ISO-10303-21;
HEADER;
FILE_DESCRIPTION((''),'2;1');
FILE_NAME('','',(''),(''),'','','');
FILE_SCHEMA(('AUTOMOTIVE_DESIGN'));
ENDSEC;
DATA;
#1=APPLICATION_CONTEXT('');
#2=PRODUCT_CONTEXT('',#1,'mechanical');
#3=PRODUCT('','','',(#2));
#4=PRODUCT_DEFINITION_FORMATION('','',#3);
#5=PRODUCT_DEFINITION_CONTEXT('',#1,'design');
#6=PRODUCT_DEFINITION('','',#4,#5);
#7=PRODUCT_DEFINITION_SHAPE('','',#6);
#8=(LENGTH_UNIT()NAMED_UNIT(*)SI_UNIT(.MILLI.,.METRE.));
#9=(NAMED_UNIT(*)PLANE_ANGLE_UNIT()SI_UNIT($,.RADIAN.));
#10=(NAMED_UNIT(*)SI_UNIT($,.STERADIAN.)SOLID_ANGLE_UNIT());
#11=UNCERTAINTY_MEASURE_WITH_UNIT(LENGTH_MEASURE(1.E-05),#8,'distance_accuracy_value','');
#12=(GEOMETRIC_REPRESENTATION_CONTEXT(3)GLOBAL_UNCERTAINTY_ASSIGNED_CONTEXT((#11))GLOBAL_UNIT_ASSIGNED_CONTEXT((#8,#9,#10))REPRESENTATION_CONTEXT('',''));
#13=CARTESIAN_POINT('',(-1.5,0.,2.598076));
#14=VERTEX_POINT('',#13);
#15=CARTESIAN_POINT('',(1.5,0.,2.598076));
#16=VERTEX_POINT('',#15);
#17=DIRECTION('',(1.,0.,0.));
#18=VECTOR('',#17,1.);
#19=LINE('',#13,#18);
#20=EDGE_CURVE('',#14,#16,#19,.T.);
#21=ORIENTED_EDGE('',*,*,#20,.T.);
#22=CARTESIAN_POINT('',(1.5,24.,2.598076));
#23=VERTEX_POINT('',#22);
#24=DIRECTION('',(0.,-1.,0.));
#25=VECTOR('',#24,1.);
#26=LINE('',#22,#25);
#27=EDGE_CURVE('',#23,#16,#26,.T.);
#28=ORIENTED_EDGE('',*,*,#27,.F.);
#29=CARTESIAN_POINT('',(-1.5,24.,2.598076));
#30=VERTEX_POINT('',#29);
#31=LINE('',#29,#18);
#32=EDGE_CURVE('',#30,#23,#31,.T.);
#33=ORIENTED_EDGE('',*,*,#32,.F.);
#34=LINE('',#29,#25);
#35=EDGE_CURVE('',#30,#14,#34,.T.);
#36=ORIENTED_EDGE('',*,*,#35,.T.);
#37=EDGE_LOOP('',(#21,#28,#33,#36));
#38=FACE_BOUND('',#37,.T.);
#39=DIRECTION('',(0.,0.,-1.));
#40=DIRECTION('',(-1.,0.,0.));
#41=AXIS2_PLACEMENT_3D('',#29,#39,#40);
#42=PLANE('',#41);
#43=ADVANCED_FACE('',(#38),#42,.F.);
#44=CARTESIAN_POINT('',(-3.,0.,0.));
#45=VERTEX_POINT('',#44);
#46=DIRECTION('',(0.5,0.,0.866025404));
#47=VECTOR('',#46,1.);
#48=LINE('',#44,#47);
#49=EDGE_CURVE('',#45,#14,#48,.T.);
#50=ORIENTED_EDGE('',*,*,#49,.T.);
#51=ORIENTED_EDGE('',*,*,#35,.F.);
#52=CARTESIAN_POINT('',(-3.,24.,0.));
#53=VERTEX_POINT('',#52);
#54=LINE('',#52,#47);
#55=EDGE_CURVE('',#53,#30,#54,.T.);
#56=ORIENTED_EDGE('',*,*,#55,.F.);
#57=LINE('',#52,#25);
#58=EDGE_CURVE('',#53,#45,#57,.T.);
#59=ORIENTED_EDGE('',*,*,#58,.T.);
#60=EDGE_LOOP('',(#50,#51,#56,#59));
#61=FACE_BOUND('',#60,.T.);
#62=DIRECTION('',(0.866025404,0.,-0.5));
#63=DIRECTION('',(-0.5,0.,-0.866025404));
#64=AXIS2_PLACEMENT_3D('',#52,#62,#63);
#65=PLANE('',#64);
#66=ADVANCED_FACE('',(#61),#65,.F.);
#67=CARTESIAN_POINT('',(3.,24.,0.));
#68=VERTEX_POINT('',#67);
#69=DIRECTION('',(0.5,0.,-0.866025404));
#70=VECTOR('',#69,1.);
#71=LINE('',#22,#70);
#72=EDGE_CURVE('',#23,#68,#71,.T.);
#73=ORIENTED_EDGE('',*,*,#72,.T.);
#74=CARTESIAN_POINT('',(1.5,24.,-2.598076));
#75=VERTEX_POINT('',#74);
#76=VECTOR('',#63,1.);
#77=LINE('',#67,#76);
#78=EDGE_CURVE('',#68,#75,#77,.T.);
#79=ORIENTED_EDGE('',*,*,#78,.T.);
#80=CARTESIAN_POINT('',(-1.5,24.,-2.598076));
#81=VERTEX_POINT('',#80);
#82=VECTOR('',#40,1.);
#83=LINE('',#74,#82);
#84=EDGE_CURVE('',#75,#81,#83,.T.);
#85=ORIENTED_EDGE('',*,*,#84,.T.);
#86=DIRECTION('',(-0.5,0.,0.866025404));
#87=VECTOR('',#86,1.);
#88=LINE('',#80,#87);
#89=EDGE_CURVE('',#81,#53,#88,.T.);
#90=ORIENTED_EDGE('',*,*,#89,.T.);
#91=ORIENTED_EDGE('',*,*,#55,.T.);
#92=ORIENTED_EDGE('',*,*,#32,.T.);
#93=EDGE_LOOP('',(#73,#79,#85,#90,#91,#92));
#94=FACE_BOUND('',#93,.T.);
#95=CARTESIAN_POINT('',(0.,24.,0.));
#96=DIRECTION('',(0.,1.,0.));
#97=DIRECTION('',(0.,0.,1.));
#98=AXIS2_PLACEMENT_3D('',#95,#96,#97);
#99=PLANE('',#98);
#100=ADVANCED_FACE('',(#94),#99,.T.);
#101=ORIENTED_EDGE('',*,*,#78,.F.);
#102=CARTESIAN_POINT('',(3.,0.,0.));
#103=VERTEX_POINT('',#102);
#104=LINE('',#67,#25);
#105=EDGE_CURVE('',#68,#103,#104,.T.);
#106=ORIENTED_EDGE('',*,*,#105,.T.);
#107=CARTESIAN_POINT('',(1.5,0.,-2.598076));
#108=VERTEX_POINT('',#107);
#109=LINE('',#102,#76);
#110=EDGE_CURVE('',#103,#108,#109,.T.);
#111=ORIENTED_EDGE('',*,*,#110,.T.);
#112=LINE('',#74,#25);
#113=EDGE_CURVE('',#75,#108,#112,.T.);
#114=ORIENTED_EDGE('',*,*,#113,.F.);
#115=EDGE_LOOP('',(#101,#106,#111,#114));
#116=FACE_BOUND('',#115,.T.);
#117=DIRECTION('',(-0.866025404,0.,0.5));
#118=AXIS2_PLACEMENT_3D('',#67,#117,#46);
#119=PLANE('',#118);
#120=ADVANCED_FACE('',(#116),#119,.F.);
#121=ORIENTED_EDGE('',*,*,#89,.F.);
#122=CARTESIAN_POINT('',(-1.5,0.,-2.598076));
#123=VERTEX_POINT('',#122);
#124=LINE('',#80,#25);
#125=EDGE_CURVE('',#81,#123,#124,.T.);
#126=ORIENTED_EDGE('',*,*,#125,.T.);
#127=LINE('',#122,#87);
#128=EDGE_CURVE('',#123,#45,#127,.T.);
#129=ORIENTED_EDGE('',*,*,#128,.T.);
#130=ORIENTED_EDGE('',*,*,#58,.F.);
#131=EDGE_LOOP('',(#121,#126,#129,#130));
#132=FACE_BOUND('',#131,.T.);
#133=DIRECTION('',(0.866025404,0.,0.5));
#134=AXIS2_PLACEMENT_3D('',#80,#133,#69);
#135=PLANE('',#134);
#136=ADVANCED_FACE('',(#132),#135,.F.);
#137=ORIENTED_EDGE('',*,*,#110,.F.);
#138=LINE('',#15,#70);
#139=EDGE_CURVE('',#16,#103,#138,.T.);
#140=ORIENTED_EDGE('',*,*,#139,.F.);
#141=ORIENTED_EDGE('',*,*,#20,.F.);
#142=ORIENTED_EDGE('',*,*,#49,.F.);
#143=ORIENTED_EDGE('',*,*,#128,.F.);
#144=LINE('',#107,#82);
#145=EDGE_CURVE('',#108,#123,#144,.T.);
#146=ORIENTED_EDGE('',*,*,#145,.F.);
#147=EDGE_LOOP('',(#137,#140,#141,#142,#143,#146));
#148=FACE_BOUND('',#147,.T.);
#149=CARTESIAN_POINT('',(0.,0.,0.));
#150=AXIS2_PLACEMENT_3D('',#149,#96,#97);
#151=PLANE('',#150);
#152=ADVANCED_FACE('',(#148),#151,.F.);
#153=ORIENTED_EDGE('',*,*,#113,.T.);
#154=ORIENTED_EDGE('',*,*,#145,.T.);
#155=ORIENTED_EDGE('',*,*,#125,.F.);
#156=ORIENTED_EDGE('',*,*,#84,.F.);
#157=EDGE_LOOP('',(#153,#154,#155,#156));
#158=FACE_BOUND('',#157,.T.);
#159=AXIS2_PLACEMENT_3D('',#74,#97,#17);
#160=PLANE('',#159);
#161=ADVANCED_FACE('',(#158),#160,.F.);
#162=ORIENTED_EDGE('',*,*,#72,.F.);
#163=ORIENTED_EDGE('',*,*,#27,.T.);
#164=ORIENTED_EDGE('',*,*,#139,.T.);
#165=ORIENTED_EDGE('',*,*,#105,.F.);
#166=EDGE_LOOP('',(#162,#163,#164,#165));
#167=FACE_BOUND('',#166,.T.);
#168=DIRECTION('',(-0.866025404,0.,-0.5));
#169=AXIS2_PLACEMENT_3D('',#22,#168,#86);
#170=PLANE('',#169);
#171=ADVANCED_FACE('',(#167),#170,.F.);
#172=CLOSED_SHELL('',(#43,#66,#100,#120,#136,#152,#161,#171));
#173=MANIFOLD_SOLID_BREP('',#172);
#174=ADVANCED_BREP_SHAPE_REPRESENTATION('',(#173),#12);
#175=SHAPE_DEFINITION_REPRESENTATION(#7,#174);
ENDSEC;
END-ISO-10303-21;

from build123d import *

# Parameters (mm, degrees)
BOSS_EXTRU_1_DEPTH = 24


with BuildPart() as part:
    # Esquisse3 → Boss.-Extru.1 (new body)
    with BuildSketch(Plane(origin=(0, 0, 0), x_dir=(1, 0, 0), z_dir=(0, 1, 0))):
        Polygon((3, 0), (1.5, 2.598076211), (-1.5, 2.598076211), (-3, 0), (-1.5, -2.598076211), (1.5, -2.598076211), align=None)
    extrude(amount=BOSS_EXTRU_1_DEPTH)


solid = part.part
